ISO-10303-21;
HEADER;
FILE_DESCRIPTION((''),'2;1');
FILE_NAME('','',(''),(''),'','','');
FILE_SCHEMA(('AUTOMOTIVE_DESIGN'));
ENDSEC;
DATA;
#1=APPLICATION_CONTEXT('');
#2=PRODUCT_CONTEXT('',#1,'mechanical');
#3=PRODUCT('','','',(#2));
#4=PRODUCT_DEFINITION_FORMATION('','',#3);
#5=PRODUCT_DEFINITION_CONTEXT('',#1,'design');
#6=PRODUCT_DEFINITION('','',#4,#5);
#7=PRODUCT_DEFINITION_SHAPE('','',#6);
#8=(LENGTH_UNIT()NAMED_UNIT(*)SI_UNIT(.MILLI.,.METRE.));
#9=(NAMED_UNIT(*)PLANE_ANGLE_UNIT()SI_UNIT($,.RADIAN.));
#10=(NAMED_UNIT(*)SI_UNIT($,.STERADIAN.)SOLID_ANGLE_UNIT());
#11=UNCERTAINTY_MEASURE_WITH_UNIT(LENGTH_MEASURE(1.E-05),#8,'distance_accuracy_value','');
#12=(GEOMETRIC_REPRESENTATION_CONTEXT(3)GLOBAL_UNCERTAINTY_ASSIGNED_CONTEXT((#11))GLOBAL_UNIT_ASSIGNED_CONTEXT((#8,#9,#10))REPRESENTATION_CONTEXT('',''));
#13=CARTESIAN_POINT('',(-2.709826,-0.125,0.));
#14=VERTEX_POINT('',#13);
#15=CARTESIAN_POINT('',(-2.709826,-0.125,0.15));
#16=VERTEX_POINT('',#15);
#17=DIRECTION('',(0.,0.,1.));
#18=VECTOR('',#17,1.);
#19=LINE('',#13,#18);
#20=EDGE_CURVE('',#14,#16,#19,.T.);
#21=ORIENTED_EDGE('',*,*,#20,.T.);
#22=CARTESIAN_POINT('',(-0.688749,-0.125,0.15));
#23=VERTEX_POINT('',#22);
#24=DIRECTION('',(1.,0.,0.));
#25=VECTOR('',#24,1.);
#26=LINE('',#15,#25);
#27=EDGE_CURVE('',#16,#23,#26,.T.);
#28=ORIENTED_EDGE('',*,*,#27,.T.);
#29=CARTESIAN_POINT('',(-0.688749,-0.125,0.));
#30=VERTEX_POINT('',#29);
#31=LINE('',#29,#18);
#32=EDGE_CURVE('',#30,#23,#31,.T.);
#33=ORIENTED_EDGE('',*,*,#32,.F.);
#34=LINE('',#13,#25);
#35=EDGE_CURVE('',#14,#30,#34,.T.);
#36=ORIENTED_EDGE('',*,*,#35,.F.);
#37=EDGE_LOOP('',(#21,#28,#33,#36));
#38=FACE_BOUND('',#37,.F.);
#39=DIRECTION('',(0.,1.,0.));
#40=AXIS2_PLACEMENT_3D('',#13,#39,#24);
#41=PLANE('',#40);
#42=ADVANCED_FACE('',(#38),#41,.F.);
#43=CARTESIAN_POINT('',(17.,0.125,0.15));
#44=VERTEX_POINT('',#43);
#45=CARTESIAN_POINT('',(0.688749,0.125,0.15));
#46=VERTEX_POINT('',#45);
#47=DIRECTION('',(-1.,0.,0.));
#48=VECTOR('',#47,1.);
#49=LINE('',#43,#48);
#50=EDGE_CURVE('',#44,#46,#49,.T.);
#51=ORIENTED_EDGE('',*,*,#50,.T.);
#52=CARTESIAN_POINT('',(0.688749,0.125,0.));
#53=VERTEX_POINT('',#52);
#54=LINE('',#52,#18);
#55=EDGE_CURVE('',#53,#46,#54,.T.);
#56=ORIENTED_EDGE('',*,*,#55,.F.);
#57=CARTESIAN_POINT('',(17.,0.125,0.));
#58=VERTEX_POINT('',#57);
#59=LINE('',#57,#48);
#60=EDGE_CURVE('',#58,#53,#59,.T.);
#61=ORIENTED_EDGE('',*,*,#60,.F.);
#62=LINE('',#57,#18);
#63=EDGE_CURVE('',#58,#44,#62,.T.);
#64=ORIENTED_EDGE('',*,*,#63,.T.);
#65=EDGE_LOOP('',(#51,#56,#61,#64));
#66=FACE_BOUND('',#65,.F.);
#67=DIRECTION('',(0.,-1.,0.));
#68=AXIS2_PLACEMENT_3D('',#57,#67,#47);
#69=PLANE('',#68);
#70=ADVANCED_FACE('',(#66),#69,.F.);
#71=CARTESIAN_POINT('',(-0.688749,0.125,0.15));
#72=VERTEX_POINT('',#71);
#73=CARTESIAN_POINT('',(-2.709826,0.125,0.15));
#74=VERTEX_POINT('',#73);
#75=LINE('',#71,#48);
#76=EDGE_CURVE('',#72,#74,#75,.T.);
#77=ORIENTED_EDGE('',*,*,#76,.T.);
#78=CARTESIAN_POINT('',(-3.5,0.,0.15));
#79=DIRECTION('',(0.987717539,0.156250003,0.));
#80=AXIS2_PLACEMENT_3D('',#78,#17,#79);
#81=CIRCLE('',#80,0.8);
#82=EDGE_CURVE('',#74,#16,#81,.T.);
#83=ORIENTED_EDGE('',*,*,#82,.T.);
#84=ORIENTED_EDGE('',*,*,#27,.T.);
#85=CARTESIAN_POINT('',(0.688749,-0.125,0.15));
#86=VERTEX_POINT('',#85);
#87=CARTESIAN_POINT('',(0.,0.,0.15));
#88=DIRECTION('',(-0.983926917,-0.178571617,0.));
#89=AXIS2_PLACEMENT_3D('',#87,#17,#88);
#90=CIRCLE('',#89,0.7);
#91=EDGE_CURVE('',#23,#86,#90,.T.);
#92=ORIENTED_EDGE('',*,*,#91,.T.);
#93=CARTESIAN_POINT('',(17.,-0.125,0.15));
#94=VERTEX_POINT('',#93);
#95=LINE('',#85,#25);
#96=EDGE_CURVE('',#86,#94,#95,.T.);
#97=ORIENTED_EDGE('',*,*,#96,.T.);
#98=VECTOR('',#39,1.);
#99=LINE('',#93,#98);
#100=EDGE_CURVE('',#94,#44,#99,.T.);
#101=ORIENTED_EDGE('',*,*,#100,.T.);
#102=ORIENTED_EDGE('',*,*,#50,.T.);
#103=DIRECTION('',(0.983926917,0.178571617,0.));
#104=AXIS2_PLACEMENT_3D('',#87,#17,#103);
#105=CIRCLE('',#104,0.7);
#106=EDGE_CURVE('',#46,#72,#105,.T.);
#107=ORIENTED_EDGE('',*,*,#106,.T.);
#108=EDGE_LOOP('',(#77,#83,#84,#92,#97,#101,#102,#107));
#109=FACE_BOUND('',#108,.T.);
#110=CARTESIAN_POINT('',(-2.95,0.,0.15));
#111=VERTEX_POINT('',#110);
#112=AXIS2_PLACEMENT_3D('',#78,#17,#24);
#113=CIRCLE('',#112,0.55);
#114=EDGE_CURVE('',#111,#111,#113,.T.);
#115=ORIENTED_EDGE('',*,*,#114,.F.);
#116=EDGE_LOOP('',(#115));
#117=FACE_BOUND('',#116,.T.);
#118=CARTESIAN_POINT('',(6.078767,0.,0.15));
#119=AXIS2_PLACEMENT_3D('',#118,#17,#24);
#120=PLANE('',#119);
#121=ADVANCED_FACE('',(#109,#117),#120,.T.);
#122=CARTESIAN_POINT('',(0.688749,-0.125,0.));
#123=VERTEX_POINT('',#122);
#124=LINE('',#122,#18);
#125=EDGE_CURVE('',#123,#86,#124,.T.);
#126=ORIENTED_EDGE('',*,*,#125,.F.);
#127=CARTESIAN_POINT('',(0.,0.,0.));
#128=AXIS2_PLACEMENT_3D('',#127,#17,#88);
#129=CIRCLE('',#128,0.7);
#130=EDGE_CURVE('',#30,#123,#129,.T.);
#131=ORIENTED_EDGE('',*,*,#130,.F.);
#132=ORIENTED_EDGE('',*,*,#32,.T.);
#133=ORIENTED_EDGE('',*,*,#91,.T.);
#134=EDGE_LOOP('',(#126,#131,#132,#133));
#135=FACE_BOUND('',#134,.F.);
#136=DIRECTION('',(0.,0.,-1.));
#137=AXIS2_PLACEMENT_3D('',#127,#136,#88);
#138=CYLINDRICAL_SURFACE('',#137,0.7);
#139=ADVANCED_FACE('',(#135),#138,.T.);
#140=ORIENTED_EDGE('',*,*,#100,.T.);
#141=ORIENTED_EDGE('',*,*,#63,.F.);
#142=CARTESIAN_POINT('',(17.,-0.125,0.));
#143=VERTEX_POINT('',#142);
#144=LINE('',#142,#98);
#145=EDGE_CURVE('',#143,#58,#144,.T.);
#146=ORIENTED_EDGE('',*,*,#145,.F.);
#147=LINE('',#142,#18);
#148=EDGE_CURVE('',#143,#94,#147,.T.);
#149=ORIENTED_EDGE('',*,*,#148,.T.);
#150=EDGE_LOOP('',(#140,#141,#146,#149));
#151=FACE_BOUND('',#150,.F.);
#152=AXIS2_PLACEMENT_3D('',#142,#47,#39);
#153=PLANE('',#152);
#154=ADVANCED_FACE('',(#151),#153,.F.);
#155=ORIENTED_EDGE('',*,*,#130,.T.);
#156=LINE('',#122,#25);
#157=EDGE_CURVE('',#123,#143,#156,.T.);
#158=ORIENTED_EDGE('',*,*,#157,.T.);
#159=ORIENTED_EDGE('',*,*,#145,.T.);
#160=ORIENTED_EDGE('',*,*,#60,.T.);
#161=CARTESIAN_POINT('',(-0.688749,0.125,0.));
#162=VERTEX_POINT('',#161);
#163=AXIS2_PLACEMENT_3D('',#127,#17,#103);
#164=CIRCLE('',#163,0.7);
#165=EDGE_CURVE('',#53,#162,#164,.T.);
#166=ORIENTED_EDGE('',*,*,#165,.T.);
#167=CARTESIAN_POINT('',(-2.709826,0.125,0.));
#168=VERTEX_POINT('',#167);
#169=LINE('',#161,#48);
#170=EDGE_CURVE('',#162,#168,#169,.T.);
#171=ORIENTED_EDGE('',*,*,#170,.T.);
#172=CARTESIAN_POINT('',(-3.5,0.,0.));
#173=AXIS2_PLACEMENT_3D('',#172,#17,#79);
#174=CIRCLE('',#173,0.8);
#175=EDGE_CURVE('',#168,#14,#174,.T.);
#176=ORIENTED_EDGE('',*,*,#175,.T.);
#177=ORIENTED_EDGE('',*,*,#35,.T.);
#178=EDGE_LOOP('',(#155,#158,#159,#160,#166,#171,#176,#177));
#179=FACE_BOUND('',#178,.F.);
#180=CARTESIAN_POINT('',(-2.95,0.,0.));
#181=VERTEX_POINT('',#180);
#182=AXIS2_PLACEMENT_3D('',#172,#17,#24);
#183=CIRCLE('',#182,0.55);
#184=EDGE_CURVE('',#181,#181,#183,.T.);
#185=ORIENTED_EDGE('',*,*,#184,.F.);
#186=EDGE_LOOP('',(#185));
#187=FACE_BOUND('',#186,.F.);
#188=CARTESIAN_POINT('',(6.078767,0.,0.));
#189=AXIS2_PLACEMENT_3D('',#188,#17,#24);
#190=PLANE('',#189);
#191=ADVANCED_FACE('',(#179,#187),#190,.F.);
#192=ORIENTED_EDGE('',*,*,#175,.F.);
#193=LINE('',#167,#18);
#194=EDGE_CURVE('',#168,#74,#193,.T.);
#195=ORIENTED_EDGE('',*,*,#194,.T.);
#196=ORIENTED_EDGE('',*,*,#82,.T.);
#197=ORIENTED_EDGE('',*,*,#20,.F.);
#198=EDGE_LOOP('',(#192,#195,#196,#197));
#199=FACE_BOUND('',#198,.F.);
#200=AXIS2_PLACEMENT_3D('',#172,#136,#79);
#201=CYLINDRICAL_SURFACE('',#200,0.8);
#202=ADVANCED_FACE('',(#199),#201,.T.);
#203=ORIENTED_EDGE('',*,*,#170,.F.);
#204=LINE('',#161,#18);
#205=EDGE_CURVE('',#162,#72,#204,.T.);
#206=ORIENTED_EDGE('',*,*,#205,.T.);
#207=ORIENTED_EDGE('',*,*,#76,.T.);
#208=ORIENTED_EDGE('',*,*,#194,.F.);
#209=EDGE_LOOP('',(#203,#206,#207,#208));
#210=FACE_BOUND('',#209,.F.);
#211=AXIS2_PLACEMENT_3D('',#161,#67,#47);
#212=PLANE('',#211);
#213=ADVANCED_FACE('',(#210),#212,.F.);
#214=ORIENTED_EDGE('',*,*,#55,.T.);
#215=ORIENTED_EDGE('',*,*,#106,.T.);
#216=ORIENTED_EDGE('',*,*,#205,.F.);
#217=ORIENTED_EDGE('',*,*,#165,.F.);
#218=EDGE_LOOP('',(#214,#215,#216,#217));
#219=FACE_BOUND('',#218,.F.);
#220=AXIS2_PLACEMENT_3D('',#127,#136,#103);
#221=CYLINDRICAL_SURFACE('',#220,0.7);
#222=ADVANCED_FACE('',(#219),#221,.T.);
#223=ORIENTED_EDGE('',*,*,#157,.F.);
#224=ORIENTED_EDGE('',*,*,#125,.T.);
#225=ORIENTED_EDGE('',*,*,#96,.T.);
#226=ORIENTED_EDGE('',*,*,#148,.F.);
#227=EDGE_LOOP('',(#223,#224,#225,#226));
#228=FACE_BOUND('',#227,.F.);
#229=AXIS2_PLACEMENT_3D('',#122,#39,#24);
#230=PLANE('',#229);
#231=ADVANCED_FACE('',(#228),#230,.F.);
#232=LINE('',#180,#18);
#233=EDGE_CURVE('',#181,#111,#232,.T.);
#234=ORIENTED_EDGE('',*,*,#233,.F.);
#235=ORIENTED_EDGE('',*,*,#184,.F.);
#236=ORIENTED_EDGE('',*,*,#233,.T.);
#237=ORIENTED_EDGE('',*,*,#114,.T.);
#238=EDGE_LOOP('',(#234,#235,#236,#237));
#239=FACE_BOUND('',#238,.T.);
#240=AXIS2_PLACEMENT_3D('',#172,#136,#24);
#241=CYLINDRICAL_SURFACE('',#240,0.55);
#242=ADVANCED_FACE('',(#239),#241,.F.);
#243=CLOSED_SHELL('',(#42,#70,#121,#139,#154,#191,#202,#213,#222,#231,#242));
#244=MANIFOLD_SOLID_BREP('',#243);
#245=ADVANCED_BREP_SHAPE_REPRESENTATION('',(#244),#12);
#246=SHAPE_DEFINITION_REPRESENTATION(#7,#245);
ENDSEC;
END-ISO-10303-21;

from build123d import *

# Parameters (mm, degrees)
F0_R     = 0.55
F1_DEPTH = 0.15


with BuildPart() as f1:
    # F0 (on Top) → F1 (new body)
    with BuildSketch(Plane.XY):
        with BuildLine():
            Line((-2.709826, -0.125), (-0.688749, -0.125))
            ThreePointArc((-0.688749, -0.125), (0, -0.7), (0.688749, -0.125))
            Line((0.688749, -0.125), (17, -0.125))
            Line((17, -0.125), (17, 0.125))
            Line((17, 0.125), (0.688749, 0.125))
            ThreePointArc((0.688749, 0.125), (0, 0.7), (-0.688749, 0.125))
            Line((-0.688749, 0.125), (-2.709826, 0.125))
            ThreePointArc((-2.709826, 0.125), (-4.3, 0), (-2.709826, -0.125))
        make_face()
        with Locations((-3.5, 0)):
            Circle(F0_R, mode=Mode.SUBTRACT)
    extrude(amount=F1_DEPTH)


solid = f1.part
